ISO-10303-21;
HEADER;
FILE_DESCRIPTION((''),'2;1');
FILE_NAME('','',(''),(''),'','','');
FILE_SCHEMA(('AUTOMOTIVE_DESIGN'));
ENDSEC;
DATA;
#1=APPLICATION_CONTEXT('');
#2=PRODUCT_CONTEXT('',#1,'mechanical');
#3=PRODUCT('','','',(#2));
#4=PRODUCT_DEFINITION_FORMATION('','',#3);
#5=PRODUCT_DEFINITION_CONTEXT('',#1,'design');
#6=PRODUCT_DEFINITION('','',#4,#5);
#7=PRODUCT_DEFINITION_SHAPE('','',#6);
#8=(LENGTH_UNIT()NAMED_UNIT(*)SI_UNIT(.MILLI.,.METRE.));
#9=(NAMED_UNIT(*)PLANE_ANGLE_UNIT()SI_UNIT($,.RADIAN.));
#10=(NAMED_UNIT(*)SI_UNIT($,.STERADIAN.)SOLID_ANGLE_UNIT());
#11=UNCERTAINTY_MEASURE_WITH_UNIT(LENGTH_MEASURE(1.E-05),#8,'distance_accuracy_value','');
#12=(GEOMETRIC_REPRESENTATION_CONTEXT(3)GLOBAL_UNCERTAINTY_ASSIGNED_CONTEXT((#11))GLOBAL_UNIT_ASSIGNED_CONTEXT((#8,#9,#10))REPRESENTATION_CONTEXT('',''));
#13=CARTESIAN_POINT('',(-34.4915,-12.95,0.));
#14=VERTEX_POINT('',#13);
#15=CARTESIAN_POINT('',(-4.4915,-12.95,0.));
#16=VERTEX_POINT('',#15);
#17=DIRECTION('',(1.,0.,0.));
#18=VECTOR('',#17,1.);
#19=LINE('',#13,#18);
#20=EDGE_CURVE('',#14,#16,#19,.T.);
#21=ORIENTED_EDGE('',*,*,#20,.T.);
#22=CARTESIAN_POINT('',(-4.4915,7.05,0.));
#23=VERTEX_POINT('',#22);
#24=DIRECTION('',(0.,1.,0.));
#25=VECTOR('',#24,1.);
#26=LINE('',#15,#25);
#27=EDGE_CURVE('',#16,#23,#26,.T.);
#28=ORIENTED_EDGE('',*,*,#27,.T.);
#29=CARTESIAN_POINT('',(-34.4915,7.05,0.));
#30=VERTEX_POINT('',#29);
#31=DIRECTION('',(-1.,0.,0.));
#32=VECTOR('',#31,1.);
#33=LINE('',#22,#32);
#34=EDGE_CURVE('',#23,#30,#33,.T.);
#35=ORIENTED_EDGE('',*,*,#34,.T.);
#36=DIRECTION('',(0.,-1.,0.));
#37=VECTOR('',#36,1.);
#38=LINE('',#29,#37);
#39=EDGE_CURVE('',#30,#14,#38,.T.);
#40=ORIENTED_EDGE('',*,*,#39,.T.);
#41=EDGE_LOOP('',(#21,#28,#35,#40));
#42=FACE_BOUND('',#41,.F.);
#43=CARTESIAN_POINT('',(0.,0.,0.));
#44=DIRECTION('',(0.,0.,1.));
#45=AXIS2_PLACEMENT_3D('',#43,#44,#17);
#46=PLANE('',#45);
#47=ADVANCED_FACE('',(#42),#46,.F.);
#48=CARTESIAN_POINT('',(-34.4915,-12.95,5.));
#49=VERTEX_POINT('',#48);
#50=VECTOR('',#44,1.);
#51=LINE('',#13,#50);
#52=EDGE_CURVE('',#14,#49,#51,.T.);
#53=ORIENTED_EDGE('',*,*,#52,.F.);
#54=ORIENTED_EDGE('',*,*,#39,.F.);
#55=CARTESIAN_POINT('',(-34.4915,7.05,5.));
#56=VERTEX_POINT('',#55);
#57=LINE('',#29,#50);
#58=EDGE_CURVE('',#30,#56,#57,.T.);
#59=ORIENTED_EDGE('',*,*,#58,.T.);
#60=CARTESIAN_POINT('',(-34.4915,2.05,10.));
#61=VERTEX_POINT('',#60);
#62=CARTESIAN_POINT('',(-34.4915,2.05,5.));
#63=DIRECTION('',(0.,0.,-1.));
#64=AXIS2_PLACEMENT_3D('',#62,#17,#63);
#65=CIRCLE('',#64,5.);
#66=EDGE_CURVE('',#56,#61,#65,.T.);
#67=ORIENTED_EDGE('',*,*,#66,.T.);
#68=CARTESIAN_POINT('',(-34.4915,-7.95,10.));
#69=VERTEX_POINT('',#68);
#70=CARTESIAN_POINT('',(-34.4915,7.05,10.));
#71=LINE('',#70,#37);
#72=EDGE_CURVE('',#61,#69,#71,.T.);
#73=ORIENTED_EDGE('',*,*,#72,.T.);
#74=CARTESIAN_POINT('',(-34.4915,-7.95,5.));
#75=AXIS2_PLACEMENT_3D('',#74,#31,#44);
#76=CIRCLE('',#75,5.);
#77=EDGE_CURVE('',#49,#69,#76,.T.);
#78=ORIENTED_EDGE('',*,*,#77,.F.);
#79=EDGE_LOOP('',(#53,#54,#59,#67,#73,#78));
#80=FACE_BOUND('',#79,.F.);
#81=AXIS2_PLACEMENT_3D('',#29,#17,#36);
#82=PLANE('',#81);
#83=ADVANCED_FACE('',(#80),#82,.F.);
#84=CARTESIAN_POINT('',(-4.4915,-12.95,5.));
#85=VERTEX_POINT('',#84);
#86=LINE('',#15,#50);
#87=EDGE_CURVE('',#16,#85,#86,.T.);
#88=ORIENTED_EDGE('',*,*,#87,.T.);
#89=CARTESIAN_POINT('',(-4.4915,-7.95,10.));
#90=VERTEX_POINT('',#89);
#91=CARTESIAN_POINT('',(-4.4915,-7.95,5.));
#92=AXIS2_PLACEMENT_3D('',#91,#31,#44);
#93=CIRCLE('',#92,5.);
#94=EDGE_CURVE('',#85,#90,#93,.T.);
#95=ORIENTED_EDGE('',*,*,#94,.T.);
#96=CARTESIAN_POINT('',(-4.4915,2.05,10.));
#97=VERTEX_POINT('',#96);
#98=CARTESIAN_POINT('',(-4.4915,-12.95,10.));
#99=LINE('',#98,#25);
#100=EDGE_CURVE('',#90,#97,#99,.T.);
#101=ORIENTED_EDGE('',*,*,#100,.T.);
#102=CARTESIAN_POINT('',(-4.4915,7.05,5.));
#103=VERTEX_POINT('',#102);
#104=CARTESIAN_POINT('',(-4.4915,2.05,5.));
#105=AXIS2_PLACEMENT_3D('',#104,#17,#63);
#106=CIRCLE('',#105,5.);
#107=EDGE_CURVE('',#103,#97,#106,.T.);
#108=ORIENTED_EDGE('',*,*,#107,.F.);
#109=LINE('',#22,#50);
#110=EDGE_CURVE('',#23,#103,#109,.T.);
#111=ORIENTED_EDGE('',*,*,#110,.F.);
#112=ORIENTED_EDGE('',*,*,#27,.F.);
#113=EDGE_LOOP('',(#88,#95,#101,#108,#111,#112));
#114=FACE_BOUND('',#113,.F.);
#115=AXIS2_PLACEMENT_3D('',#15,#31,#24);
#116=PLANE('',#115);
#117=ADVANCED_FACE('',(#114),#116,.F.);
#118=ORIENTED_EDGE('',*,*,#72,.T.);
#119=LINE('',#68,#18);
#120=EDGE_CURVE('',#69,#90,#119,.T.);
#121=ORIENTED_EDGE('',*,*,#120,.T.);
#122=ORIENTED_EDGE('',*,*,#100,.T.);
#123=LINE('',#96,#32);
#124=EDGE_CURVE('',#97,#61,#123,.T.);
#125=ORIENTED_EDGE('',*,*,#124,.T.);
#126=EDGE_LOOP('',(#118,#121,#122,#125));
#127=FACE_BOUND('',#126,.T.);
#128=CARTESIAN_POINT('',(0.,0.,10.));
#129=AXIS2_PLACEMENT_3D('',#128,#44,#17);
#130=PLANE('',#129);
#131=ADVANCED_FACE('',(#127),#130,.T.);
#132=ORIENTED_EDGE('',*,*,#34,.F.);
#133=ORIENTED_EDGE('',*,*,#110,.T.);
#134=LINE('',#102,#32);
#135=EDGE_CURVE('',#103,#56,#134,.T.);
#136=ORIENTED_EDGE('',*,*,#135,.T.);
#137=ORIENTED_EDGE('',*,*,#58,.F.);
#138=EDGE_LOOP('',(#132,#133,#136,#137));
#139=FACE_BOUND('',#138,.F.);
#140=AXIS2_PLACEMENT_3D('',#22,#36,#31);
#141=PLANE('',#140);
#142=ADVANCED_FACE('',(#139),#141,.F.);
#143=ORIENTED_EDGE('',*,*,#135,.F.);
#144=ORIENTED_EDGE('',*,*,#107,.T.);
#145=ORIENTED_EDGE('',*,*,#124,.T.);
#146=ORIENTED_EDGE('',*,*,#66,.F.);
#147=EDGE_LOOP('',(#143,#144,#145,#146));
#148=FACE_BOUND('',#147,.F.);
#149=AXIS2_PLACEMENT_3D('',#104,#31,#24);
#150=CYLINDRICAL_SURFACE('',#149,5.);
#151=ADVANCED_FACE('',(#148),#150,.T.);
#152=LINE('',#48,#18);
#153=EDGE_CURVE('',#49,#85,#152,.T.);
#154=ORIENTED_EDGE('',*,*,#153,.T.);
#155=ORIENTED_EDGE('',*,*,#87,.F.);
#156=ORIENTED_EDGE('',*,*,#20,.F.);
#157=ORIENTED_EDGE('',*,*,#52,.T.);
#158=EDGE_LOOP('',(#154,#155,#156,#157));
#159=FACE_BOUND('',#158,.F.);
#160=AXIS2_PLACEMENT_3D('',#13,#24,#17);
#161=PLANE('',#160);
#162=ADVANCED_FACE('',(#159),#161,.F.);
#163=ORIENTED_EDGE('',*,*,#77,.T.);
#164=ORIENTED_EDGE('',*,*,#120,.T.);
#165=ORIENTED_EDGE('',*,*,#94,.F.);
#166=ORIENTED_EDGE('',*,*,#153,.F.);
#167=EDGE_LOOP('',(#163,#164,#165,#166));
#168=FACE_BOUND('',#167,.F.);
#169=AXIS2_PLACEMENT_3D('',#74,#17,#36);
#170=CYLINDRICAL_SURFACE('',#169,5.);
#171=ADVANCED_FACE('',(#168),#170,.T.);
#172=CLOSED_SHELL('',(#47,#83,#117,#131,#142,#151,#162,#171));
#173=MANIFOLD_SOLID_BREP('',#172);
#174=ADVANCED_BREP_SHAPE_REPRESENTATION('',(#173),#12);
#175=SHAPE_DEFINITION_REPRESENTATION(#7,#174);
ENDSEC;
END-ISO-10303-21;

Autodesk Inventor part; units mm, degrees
ref_plane "YZ Plane" through (0, 0, 0) normal (1, 0, 0) x (0, 1, 0)
ref_plane "XZ Plane" through (0, 0, 0) normal (0, 1, 0) x (-1, 0, 0)
ref_plane "XY Plane" through (0, 0, 0) normal (0, 0, 1) x (1, 0, 0)
sketch "Эскиз1" plane through (0, 0, 0) normal (0, 0, 1) x (1, 0, 0)
  line L0 (5.2271, -13.5) -> (34.3271, -13.5) projected
  line L1 (15.7271, 7.05) -> (6.6989, 7.05) projected
  line L2 (-4.4915, 7.05) -> (-34.4915, 7.05)
  line L3 (-34.4915, 7.05) -> (-34.4915, -12.95)
  line L4 (-34.4915, -12.95) -> (-4.4915, -12.95)
  line L5 (-4.4915, -12.95) -> (-4.4915, 7.05)
  point P0 (0, 0)
  dimension "d0" = 20
  dimension "d2" = 30
extrude "Выдавливание1" add sketch "Эскиз1" along normal blind 10
fillet "Сопряжение1" radius 5 2 edges at (-19.4915, -12.95, 10) (-19.4915, 7.05, 10)
properties part number "Интвертор"
